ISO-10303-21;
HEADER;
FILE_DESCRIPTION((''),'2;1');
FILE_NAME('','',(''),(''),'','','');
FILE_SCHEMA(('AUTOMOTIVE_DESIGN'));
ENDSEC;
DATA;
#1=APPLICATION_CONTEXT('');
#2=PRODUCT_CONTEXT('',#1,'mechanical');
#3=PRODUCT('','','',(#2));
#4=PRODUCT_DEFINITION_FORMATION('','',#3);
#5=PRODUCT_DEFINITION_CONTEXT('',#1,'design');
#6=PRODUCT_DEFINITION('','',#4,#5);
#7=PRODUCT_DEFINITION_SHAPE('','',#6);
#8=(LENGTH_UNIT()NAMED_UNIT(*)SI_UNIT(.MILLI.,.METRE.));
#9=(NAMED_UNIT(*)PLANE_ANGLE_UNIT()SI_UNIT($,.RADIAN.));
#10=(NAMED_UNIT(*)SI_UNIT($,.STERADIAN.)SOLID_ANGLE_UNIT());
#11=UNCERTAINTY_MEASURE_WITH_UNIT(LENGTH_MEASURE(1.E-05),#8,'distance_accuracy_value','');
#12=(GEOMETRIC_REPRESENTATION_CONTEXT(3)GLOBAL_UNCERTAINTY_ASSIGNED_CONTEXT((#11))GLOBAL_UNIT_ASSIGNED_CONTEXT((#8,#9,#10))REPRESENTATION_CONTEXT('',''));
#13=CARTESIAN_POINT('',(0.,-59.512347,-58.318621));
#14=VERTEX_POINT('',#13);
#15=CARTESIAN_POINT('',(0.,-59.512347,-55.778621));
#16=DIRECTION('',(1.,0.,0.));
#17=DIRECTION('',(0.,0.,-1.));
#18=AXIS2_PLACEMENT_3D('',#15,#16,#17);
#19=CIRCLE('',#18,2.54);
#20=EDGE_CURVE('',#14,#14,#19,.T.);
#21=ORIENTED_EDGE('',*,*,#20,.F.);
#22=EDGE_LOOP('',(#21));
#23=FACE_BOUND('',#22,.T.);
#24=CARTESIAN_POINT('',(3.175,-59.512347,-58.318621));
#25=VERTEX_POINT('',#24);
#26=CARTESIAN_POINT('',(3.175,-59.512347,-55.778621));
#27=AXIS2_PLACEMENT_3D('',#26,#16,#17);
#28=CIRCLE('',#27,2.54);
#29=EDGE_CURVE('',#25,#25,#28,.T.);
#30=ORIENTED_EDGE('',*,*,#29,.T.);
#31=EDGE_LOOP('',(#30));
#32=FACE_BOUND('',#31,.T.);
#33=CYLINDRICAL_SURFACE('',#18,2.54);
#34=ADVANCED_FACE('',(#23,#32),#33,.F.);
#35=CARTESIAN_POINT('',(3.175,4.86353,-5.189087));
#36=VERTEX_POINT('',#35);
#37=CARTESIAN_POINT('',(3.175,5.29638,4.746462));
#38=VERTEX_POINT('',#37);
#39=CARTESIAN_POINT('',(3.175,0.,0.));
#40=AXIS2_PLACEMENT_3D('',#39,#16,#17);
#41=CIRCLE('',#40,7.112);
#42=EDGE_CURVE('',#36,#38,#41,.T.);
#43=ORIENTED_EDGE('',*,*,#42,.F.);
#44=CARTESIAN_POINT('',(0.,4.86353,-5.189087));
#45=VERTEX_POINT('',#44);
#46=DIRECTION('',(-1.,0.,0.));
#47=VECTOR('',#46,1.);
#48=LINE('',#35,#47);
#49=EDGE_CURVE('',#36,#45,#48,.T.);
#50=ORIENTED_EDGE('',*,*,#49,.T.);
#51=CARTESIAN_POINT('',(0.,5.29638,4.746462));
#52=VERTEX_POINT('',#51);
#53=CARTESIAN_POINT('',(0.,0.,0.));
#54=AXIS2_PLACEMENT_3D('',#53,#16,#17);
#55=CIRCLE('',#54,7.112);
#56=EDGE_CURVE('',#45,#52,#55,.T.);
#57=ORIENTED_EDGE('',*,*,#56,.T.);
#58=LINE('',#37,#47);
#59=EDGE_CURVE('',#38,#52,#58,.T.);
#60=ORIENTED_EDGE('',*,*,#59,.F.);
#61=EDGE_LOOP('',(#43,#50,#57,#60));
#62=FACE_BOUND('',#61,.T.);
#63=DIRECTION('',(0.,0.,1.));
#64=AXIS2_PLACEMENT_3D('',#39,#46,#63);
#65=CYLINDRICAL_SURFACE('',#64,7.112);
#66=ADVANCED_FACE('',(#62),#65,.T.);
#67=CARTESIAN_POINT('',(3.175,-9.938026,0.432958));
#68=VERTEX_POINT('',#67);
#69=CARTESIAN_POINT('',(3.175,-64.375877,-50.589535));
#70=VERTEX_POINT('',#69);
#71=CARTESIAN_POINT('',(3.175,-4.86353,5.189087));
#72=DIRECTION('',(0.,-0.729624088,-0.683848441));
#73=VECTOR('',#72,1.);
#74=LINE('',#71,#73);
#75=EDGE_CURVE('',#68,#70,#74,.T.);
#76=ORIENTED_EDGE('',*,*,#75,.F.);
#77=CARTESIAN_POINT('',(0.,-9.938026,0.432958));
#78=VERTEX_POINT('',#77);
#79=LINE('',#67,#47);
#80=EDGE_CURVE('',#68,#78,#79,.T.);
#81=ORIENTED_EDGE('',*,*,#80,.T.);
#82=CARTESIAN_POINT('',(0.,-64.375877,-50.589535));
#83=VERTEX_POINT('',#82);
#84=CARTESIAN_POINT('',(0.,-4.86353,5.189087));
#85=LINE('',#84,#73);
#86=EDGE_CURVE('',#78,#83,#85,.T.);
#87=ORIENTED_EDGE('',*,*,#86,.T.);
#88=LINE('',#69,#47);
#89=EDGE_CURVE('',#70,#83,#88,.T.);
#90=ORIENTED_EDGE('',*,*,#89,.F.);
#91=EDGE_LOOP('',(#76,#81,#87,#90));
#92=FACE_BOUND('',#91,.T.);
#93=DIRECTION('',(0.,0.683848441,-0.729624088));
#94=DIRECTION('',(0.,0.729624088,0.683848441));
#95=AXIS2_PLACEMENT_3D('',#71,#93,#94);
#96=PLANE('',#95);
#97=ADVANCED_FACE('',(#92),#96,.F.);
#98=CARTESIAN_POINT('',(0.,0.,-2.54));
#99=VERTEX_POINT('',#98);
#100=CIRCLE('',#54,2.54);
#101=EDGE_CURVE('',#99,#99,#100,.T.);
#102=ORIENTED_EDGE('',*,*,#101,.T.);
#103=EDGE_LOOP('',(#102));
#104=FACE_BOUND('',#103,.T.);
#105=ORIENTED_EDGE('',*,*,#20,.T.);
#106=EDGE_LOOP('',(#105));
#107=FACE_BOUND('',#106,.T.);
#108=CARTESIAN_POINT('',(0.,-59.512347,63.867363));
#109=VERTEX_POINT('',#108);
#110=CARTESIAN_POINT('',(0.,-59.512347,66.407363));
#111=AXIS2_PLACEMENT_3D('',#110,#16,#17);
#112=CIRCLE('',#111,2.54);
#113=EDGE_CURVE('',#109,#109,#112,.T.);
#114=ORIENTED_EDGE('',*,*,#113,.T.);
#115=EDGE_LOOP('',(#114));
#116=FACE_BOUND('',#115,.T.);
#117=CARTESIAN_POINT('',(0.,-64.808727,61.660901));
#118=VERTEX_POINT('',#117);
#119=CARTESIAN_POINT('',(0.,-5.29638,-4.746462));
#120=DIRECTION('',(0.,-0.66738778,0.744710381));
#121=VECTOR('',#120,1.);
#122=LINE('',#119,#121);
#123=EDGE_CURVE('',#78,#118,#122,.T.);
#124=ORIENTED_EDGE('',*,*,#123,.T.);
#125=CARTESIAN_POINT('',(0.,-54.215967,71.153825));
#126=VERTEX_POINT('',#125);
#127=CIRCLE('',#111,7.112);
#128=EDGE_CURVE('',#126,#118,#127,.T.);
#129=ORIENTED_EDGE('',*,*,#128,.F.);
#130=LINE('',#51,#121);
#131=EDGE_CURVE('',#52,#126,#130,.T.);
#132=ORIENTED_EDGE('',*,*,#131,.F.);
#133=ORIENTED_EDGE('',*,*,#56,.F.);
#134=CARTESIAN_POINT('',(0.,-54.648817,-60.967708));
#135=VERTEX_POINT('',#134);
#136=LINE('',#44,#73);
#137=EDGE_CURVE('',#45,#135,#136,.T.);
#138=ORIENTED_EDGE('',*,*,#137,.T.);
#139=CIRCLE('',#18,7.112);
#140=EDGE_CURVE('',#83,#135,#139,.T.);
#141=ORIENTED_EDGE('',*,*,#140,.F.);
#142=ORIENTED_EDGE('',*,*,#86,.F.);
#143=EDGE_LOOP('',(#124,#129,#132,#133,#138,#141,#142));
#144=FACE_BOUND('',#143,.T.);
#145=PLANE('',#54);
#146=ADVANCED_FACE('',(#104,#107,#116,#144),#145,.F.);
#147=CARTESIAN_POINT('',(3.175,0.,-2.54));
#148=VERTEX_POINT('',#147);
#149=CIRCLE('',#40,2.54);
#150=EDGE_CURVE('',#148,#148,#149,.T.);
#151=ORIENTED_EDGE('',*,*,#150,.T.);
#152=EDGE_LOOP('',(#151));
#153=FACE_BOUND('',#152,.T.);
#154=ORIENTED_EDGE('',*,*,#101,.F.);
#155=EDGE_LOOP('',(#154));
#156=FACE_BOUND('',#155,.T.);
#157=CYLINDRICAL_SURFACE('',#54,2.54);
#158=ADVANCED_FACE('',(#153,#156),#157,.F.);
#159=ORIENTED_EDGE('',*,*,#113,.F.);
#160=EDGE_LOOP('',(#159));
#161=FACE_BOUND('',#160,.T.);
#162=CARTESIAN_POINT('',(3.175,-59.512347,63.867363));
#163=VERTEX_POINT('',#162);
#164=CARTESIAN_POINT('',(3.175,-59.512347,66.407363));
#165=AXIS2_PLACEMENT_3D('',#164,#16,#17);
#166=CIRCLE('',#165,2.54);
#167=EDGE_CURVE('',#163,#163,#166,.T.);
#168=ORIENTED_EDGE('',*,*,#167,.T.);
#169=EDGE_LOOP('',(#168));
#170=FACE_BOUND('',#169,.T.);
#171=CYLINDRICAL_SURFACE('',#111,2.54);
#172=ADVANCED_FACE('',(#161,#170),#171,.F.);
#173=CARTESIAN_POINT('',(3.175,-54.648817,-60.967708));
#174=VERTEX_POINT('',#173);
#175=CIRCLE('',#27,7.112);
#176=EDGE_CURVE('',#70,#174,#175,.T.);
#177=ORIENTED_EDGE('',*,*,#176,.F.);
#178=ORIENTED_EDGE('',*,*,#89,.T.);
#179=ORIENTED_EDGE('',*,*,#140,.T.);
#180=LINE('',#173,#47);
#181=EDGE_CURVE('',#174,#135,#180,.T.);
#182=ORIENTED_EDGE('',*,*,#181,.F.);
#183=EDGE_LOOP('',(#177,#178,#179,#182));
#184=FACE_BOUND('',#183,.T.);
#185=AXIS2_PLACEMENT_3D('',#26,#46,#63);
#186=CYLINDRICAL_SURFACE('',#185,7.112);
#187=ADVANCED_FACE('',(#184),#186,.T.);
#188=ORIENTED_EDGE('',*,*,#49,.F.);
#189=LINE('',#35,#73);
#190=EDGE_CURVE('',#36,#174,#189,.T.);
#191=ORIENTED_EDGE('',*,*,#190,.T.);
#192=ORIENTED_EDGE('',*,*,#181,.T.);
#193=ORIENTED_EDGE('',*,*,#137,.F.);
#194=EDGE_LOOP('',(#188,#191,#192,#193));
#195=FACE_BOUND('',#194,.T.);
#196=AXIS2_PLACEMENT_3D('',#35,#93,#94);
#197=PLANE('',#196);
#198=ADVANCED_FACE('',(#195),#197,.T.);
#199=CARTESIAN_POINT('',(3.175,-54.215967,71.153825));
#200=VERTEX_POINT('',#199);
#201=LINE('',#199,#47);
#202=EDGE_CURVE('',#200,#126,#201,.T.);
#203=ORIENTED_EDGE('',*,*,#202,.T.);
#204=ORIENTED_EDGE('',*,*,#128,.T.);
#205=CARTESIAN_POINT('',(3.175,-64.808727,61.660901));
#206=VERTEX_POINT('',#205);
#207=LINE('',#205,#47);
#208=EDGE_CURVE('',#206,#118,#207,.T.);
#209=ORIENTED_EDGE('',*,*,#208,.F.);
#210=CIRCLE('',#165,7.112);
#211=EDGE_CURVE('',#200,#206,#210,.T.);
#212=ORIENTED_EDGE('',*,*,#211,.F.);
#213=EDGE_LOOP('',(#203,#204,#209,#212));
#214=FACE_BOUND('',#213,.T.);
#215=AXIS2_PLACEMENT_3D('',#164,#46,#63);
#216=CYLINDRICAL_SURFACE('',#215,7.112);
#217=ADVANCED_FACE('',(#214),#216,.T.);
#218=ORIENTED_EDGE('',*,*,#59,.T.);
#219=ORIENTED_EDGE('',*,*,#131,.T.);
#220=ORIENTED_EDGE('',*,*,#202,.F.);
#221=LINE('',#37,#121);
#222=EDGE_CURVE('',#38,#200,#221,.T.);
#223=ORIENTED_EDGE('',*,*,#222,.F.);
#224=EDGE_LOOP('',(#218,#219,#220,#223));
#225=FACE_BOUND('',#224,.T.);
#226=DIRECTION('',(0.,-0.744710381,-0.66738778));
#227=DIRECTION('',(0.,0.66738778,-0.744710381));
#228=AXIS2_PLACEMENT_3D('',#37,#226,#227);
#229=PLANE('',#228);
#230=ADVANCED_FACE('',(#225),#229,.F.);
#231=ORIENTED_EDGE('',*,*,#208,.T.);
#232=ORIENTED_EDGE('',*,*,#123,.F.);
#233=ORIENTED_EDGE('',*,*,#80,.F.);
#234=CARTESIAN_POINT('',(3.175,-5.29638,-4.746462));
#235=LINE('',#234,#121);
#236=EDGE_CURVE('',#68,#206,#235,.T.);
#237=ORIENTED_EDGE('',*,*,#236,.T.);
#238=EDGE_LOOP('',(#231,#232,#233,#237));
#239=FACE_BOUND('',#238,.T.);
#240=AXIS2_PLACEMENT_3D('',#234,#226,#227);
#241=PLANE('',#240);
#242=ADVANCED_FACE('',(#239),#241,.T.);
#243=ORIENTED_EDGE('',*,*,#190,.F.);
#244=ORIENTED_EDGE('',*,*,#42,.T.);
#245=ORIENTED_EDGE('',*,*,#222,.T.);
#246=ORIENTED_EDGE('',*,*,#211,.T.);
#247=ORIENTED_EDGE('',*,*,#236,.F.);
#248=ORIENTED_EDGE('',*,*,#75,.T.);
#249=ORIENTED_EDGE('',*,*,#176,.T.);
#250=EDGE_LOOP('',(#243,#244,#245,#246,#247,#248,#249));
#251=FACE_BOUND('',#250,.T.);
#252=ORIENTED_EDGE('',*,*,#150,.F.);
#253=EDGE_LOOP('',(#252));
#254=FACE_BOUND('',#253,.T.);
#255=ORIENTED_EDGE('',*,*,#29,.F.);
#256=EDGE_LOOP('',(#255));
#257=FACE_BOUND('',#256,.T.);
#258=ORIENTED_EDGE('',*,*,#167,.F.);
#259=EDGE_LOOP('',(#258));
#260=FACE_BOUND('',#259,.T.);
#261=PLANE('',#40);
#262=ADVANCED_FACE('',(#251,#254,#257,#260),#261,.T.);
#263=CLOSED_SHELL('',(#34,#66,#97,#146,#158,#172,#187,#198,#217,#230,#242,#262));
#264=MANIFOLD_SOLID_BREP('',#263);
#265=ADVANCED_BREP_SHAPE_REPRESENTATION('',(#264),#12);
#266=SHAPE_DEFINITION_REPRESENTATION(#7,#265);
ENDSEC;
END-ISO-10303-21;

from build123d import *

# Parameters (mm, degrees)
BOSS_EXTRUDE1_DEPTH = 3.175
SKETCH3_R           = 2.54
CUT_EXTRUDE1_DEPTH  = 100.267219786


with BuildPart() as part:
    # Sketch2 → Boss-Extrude1 (new body)
    with BuildSketch(Plane(origin=(0, 0, 0), x_dir=(0, 0, -1), z_dir=(1, 0, 0))):
        with BuildLine():
            Line((60.967707714, -54.648816697), (5.189086512, 4.863530115))
            ThreePointArc((5.189086512, 4.863530115), (7.105260379, -0.309546352), (4.746461891, -5.296380228))
            Line((4.746461891, -5.296380228), (-0.432958039, -9.938025702))
            Line((-0.432958039, -9.938025702), (50.589534691, -64.375876927))
            ThreePointArc((50.589534691, -64.375876927), (60.642151317, -64.701433324), (60.967707714, -54.648816697))
        make_face()
        with BuildLine():
            ThreePointArc((-5.189086512, -4.863530115), (-7.105260379, 0.309546352), (-4.746461891, 5.296380228))
            Line((-4.746461891, 5.296380228), (-71.153824721, -54.215966584))
            ThreePointArc((-71.153824721, -54.215966584), (-71.703743057, -64.258808703), (-61.660900939, -64.80872704))
            Line((-61.660900939, -64.80872704), (-0.432958039, -9.938025702))
            Line((-0.432958039, -9.938025702), (-5.189086512, -4.863530115))
        make_face()
        with BuildLine():
            ThreePointArc((4.746461891, -5.296380228), (7.105260379, -0.309546352), (5.189086512, 4.863530115))
            ThreePointArc((5.189086512, 4.863530115), (0.309546352, 7.105260379), (-4.746461891, 5.296380228))
            ThreePointArc((-4.746461891, 5.296380228), (-7.105260379, 0.309546352), (-5.189086512, -4.863530115))
            Line((-5.189086512, -4.863530115), (-0.432958039, -9.938025702))
            Line((-0.432958039, -9.938025702), (4.746461891, -5.296380228))
        make_face()
    extrude(amount=BOSS_EXTRUDE1_DEPTH)

    # Sketch3 → Cut-Extrude1 (cut, through all)
    with BuildSketch(Plane(origin=(3.175, 0, 0), x_dir=(0, 0, -1), z_dir=(1, 0, 0))):
        Circle(SKETCH3_R)
        with Locations((-66.40736283, -59.512346812)):
            Circle(SKETCH3_R)
        with Locations((55.778621202, -59.512346812)):
            Circle(SKETCH3_R)
    extrude(amount=-CUT_EXTRUDE1_DEPTH, mode=Mode.SUBTRACT)


solid = part.part
